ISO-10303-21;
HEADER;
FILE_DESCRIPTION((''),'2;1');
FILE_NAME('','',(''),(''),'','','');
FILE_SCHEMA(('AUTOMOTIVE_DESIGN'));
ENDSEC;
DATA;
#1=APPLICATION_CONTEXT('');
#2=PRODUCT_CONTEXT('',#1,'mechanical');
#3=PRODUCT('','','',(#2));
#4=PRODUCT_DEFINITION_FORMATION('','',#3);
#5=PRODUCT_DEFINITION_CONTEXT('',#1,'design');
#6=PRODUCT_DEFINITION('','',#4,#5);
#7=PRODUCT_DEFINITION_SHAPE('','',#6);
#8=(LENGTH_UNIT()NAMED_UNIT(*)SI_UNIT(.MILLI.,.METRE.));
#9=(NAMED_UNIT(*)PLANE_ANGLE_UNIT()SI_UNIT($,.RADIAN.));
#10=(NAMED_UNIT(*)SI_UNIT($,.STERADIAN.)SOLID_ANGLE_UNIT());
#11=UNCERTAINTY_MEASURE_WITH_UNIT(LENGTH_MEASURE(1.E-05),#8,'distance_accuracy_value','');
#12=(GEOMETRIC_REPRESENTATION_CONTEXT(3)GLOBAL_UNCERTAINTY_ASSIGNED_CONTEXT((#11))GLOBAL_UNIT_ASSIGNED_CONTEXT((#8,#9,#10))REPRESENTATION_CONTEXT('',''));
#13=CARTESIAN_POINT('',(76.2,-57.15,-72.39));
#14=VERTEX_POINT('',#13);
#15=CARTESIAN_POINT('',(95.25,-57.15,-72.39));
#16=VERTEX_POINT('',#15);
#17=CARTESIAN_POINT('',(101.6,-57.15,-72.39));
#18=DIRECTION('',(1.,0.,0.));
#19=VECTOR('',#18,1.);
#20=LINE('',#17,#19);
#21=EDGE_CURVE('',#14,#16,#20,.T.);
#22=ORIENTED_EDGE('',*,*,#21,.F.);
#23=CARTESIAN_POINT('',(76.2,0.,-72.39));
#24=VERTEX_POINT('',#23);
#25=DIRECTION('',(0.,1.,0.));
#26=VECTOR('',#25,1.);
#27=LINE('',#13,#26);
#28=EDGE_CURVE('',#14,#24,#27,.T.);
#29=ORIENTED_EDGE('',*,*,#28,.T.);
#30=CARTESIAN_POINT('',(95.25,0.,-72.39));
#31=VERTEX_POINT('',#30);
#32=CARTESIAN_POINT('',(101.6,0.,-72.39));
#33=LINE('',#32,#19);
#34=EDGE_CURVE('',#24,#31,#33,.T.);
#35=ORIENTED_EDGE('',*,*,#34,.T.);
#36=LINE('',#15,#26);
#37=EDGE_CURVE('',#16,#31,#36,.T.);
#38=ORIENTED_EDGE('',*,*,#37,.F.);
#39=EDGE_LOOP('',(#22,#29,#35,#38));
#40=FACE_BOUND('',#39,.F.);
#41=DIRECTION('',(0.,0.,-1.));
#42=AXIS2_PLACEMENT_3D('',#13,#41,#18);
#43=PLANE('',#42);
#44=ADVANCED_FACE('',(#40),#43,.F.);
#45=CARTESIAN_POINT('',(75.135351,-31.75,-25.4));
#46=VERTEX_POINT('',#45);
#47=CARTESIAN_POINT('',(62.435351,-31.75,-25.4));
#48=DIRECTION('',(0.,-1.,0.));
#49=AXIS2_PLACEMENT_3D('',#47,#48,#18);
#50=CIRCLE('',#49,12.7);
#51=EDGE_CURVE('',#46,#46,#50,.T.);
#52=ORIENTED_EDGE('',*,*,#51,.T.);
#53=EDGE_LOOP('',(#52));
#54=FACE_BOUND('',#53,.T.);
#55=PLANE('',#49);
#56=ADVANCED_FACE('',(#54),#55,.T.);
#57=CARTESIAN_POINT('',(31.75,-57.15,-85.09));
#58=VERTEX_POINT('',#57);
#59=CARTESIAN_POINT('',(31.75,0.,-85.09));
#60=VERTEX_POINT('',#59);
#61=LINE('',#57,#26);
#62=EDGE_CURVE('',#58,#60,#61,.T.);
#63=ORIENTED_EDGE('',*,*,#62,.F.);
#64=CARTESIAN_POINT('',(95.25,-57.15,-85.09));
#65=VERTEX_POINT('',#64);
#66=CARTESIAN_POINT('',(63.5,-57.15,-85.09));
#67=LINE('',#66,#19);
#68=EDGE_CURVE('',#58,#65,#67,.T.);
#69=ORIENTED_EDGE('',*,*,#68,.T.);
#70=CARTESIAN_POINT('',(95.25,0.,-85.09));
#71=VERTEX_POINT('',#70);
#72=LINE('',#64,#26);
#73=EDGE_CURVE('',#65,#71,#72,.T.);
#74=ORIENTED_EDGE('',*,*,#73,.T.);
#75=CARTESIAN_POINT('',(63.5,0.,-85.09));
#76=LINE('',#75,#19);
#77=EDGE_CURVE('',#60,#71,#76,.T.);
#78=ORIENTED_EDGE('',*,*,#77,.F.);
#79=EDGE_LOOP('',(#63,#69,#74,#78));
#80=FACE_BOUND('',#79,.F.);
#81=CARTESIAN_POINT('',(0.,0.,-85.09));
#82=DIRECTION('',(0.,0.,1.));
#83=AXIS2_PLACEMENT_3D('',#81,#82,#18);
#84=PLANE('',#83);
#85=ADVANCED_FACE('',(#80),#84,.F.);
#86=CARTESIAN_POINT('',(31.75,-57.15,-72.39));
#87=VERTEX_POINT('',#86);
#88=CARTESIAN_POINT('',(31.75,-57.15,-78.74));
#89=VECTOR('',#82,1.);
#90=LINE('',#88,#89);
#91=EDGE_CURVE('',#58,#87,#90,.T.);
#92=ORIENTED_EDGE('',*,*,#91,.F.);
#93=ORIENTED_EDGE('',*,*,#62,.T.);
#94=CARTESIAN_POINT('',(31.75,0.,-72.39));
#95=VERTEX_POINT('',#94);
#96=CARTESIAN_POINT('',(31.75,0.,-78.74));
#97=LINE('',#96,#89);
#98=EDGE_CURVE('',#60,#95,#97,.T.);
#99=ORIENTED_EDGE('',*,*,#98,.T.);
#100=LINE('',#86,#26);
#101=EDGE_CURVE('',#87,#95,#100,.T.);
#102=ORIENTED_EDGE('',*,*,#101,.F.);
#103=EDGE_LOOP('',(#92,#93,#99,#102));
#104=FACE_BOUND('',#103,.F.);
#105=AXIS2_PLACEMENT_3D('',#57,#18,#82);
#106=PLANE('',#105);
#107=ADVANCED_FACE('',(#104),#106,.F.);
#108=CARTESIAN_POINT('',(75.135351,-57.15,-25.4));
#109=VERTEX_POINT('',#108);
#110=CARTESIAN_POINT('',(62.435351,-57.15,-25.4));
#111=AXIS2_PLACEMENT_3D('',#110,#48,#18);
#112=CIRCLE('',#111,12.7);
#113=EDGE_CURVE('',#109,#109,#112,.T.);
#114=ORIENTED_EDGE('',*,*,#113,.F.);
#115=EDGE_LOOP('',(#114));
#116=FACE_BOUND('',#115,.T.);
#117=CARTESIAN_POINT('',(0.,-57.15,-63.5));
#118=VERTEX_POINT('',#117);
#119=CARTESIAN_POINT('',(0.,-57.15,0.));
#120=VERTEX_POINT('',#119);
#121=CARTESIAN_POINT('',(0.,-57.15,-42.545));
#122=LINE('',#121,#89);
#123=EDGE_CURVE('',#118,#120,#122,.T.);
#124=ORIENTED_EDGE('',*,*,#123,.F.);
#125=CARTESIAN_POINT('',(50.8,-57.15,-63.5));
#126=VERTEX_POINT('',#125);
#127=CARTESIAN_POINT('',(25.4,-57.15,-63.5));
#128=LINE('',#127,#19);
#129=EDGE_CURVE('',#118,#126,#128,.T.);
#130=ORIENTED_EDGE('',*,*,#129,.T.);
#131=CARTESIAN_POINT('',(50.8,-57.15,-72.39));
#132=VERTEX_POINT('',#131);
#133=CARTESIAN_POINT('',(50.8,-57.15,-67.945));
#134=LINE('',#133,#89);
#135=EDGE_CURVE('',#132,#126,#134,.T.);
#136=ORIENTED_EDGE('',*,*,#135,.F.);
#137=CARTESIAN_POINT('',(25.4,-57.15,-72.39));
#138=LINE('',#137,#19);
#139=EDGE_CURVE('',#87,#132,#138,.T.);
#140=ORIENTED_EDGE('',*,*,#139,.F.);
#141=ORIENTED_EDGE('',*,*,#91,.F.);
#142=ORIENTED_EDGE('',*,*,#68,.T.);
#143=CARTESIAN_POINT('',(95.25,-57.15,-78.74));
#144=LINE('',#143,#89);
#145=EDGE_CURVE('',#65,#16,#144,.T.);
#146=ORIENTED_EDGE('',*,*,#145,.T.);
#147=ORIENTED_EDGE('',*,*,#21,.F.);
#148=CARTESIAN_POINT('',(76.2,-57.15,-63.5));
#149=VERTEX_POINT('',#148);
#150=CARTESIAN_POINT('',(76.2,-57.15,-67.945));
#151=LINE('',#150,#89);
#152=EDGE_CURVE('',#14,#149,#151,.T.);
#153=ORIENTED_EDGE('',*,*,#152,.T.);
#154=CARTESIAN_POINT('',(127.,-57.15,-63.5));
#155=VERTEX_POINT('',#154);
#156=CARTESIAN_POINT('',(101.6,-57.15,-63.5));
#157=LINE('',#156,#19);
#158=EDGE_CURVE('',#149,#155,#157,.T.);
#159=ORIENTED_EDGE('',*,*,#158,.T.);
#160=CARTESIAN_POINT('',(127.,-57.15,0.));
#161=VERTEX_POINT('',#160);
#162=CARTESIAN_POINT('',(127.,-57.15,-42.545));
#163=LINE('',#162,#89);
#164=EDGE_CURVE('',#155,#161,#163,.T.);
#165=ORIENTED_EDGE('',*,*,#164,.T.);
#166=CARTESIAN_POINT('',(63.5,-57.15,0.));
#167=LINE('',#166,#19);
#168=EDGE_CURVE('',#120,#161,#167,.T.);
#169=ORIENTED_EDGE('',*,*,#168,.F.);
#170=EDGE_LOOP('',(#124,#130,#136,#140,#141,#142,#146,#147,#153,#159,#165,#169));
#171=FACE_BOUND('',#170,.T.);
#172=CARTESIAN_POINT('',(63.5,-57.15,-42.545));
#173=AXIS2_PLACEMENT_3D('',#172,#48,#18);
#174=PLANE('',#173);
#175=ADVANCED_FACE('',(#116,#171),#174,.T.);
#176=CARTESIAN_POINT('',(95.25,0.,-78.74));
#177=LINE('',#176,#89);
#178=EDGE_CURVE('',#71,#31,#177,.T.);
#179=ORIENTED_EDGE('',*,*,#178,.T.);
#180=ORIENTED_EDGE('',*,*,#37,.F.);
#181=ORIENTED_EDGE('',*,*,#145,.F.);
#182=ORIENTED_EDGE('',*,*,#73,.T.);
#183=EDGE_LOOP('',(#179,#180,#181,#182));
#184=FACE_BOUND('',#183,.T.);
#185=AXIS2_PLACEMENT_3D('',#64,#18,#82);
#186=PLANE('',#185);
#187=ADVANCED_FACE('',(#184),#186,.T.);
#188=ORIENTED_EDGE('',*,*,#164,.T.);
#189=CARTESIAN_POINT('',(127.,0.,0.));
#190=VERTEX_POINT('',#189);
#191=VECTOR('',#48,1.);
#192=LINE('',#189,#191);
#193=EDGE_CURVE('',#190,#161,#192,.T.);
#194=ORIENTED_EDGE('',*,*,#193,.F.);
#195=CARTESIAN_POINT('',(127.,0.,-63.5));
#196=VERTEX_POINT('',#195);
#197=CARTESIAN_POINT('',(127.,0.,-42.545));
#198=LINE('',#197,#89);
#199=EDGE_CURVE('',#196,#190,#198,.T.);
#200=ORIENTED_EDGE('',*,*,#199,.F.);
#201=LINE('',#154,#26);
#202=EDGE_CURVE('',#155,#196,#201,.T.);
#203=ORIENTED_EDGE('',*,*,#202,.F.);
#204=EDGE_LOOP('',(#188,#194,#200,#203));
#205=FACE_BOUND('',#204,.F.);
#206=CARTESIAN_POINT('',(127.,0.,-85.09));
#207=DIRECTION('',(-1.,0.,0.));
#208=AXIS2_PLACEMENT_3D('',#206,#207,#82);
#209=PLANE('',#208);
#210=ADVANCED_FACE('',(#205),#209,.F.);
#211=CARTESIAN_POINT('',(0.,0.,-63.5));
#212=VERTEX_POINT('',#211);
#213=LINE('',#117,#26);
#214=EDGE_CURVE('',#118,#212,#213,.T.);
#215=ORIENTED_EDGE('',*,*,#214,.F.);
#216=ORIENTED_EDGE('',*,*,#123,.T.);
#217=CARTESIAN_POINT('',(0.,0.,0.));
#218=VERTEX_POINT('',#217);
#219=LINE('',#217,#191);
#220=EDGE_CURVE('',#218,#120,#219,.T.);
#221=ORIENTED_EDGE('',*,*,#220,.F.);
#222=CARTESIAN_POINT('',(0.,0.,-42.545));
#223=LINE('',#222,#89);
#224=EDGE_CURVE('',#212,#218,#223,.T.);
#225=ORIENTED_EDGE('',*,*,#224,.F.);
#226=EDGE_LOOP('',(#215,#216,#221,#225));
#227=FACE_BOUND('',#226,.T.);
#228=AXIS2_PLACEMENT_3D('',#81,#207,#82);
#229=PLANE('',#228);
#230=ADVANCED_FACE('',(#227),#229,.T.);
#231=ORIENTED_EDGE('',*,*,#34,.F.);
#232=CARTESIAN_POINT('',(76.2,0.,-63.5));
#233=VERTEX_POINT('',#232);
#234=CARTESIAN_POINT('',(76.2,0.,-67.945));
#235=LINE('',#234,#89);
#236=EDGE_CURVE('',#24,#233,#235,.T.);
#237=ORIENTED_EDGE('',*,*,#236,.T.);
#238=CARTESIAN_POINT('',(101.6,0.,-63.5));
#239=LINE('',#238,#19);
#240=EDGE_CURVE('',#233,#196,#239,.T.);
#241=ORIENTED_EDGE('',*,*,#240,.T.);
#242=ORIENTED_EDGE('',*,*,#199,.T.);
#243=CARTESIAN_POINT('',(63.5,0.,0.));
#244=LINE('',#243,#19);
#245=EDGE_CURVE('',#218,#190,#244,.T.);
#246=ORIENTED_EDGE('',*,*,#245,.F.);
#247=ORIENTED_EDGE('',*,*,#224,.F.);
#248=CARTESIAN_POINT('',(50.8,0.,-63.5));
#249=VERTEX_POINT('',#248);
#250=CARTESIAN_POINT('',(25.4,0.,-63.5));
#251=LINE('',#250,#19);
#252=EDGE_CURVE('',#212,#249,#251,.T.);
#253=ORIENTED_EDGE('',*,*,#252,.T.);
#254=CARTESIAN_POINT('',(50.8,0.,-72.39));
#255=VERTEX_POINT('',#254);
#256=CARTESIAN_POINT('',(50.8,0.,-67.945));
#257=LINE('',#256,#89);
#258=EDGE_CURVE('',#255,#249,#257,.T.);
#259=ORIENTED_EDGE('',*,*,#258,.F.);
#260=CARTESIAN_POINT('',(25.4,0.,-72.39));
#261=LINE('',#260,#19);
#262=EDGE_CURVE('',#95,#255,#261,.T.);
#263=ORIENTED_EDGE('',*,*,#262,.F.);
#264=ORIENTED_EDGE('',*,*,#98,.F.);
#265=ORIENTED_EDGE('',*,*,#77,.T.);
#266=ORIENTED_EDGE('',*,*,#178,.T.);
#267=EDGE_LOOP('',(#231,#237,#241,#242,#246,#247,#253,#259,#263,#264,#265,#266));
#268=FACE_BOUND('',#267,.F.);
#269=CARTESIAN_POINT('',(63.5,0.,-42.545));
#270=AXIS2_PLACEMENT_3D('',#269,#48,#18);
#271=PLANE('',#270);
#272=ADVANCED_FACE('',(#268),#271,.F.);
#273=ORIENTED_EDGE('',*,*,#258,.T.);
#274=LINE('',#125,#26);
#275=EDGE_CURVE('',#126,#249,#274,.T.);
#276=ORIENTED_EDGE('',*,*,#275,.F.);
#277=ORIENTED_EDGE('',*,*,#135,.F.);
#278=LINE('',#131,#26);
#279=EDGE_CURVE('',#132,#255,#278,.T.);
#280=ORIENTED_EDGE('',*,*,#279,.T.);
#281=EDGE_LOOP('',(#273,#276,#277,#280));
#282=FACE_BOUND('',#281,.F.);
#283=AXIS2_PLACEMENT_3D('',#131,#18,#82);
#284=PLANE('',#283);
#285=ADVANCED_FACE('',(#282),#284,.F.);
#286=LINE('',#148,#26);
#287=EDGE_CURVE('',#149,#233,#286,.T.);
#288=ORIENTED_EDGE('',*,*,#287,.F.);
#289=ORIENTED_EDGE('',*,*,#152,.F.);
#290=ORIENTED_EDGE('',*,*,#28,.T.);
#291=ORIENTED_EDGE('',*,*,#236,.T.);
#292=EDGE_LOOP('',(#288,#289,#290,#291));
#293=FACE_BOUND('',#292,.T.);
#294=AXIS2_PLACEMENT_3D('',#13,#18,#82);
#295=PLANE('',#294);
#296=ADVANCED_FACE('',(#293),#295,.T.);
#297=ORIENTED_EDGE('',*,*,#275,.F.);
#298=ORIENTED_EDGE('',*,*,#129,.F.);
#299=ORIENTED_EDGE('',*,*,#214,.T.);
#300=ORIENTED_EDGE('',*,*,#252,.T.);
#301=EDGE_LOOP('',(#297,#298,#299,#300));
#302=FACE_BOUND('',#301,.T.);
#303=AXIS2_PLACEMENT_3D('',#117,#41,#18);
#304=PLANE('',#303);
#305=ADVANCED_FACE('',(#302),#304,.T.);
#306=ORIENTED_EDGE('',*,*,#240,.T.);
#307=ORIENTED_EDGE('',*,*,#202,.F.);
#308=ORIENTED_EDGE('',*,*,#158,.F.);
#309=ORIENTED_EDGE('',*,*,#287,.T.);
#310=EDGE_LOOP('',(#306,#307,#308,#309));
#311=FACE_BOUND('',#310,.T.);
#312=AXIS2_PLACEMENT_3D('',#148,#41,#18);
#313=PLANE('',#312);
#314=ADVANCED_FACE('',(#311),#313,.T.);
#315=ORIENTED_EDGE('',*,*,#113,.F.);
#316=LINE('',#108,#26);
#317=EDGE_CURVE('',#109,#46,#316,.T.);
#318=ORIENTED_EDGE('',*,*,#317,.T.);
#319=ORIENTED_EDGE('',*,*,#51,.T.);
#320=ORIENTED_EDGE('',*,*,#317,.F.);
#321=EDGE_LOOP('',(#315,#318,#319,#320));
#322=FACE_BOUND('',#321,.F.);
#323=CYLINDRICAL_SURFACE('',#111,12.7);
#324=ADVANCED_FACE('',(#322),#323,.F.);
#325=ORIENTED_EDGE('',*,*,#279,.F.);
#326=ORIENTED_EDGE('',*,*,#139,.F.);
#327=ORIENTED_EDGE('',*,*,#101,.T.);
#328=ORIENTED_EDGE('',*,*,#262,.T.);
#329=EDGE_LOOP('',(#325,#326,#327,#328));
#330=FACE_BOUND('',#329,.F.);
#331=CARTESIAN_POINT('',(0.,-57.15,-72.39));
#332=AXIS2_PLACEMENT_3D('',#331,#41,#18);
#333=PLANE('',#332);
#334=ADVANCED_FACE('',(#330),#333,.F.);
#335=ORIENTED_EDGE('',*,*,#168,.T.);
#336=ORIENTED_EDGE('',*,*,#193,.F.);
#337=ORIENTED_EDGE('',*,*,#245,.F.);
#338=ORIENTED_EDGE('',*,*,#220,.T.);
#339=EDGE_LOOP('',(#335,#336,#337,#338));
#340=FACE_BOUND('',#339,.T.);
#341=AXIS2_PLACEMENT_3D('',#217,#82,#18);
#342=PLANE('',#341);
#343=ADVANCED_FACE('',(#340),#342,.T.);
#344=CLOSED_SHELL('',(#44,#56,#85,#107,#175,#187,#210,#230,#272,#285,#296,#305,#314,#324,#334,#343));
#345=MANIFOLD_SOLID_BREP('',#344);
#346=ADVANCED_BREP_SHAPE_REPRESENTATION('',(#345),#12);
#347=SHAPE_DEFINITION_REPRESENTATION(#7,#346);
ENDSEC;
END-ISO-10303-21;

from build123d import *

# Parameters (mm, degrees)
F0_W      = 127
F0_H      = 85.09
F1_DEPTH  = 57.15
F2_W      = 31.75
F2_H      = 12.7
F3_DEPTH  = 57.15
F4_W      = 50.8
F4_H      = 8.89
F5_DEPTH  = 57.15
F6_W      = 31.75
F6_H      = 12.7
F7_DEPTH  = 57.15
F8_W      = 50.8
F8_H      = 8.89
F9_DEPTH  = 57.15
F10_R     = 12.7
F11_DEPTH = 25.4


with BuildPart() as f1:
    # F0 (on Front) → F1 (new body)
    with BuildSketch(Plane.XZ):
        with Locations((63.5, -42.545)):
            Rectangle(F0_W, F0_H)
    extrude(amount=F1_DEPTH)

    # F2 (on face) → F3 (cut)
    with BuildSketch(Plane.XZ.offset(57.15)):
        with Locations((111.125, -78.74)):
            Rectangle(F2_W, F2_H)
    extrude(amount=-F3_DEPTH, mode=Mode.SUBTRACT)

    # F4 (on face) → F5 (cut)
    with BuildSketch(Plane.XZ.offset(57.15)):
        with Locations((101.6, -67.945)):
            Rectangle(F4_W, F4_H)
    extrude(amount=-F5_DEPTH, mode=Mode.SUBTRACT)

    # F6 (on face) → F7 (cut)
    with BuildSketch(Plane.XZ.offset(57.15)):
        with Locations((15.875, -78.74)):
            Rectangle(F6_W, F6_H)
    extrude(amount=-F7_DEPTH, mode=Mode.SUBTRACT)

    # F8 (on face) → F9 (cut)
    with BuildSketch(Plane.XZ.offset(57.15)):
        with Locations((25.4, -67.945)):
            Rectangle(F8_W, F8_H)
    extrude(amount=-F9_DEPTH, mode=Mode.SUBTRACT)

    # F10 (on face) → F11 (cut)
    with BuildSketch(Plane.XZ.offset(57.15)):
        with Locations((62.435351, -25.4)):
            Circle(F10_R)
    extrude(amount=-F11_DEPTH, mode=Mode.SUBTRACT)


solid = f1.part
